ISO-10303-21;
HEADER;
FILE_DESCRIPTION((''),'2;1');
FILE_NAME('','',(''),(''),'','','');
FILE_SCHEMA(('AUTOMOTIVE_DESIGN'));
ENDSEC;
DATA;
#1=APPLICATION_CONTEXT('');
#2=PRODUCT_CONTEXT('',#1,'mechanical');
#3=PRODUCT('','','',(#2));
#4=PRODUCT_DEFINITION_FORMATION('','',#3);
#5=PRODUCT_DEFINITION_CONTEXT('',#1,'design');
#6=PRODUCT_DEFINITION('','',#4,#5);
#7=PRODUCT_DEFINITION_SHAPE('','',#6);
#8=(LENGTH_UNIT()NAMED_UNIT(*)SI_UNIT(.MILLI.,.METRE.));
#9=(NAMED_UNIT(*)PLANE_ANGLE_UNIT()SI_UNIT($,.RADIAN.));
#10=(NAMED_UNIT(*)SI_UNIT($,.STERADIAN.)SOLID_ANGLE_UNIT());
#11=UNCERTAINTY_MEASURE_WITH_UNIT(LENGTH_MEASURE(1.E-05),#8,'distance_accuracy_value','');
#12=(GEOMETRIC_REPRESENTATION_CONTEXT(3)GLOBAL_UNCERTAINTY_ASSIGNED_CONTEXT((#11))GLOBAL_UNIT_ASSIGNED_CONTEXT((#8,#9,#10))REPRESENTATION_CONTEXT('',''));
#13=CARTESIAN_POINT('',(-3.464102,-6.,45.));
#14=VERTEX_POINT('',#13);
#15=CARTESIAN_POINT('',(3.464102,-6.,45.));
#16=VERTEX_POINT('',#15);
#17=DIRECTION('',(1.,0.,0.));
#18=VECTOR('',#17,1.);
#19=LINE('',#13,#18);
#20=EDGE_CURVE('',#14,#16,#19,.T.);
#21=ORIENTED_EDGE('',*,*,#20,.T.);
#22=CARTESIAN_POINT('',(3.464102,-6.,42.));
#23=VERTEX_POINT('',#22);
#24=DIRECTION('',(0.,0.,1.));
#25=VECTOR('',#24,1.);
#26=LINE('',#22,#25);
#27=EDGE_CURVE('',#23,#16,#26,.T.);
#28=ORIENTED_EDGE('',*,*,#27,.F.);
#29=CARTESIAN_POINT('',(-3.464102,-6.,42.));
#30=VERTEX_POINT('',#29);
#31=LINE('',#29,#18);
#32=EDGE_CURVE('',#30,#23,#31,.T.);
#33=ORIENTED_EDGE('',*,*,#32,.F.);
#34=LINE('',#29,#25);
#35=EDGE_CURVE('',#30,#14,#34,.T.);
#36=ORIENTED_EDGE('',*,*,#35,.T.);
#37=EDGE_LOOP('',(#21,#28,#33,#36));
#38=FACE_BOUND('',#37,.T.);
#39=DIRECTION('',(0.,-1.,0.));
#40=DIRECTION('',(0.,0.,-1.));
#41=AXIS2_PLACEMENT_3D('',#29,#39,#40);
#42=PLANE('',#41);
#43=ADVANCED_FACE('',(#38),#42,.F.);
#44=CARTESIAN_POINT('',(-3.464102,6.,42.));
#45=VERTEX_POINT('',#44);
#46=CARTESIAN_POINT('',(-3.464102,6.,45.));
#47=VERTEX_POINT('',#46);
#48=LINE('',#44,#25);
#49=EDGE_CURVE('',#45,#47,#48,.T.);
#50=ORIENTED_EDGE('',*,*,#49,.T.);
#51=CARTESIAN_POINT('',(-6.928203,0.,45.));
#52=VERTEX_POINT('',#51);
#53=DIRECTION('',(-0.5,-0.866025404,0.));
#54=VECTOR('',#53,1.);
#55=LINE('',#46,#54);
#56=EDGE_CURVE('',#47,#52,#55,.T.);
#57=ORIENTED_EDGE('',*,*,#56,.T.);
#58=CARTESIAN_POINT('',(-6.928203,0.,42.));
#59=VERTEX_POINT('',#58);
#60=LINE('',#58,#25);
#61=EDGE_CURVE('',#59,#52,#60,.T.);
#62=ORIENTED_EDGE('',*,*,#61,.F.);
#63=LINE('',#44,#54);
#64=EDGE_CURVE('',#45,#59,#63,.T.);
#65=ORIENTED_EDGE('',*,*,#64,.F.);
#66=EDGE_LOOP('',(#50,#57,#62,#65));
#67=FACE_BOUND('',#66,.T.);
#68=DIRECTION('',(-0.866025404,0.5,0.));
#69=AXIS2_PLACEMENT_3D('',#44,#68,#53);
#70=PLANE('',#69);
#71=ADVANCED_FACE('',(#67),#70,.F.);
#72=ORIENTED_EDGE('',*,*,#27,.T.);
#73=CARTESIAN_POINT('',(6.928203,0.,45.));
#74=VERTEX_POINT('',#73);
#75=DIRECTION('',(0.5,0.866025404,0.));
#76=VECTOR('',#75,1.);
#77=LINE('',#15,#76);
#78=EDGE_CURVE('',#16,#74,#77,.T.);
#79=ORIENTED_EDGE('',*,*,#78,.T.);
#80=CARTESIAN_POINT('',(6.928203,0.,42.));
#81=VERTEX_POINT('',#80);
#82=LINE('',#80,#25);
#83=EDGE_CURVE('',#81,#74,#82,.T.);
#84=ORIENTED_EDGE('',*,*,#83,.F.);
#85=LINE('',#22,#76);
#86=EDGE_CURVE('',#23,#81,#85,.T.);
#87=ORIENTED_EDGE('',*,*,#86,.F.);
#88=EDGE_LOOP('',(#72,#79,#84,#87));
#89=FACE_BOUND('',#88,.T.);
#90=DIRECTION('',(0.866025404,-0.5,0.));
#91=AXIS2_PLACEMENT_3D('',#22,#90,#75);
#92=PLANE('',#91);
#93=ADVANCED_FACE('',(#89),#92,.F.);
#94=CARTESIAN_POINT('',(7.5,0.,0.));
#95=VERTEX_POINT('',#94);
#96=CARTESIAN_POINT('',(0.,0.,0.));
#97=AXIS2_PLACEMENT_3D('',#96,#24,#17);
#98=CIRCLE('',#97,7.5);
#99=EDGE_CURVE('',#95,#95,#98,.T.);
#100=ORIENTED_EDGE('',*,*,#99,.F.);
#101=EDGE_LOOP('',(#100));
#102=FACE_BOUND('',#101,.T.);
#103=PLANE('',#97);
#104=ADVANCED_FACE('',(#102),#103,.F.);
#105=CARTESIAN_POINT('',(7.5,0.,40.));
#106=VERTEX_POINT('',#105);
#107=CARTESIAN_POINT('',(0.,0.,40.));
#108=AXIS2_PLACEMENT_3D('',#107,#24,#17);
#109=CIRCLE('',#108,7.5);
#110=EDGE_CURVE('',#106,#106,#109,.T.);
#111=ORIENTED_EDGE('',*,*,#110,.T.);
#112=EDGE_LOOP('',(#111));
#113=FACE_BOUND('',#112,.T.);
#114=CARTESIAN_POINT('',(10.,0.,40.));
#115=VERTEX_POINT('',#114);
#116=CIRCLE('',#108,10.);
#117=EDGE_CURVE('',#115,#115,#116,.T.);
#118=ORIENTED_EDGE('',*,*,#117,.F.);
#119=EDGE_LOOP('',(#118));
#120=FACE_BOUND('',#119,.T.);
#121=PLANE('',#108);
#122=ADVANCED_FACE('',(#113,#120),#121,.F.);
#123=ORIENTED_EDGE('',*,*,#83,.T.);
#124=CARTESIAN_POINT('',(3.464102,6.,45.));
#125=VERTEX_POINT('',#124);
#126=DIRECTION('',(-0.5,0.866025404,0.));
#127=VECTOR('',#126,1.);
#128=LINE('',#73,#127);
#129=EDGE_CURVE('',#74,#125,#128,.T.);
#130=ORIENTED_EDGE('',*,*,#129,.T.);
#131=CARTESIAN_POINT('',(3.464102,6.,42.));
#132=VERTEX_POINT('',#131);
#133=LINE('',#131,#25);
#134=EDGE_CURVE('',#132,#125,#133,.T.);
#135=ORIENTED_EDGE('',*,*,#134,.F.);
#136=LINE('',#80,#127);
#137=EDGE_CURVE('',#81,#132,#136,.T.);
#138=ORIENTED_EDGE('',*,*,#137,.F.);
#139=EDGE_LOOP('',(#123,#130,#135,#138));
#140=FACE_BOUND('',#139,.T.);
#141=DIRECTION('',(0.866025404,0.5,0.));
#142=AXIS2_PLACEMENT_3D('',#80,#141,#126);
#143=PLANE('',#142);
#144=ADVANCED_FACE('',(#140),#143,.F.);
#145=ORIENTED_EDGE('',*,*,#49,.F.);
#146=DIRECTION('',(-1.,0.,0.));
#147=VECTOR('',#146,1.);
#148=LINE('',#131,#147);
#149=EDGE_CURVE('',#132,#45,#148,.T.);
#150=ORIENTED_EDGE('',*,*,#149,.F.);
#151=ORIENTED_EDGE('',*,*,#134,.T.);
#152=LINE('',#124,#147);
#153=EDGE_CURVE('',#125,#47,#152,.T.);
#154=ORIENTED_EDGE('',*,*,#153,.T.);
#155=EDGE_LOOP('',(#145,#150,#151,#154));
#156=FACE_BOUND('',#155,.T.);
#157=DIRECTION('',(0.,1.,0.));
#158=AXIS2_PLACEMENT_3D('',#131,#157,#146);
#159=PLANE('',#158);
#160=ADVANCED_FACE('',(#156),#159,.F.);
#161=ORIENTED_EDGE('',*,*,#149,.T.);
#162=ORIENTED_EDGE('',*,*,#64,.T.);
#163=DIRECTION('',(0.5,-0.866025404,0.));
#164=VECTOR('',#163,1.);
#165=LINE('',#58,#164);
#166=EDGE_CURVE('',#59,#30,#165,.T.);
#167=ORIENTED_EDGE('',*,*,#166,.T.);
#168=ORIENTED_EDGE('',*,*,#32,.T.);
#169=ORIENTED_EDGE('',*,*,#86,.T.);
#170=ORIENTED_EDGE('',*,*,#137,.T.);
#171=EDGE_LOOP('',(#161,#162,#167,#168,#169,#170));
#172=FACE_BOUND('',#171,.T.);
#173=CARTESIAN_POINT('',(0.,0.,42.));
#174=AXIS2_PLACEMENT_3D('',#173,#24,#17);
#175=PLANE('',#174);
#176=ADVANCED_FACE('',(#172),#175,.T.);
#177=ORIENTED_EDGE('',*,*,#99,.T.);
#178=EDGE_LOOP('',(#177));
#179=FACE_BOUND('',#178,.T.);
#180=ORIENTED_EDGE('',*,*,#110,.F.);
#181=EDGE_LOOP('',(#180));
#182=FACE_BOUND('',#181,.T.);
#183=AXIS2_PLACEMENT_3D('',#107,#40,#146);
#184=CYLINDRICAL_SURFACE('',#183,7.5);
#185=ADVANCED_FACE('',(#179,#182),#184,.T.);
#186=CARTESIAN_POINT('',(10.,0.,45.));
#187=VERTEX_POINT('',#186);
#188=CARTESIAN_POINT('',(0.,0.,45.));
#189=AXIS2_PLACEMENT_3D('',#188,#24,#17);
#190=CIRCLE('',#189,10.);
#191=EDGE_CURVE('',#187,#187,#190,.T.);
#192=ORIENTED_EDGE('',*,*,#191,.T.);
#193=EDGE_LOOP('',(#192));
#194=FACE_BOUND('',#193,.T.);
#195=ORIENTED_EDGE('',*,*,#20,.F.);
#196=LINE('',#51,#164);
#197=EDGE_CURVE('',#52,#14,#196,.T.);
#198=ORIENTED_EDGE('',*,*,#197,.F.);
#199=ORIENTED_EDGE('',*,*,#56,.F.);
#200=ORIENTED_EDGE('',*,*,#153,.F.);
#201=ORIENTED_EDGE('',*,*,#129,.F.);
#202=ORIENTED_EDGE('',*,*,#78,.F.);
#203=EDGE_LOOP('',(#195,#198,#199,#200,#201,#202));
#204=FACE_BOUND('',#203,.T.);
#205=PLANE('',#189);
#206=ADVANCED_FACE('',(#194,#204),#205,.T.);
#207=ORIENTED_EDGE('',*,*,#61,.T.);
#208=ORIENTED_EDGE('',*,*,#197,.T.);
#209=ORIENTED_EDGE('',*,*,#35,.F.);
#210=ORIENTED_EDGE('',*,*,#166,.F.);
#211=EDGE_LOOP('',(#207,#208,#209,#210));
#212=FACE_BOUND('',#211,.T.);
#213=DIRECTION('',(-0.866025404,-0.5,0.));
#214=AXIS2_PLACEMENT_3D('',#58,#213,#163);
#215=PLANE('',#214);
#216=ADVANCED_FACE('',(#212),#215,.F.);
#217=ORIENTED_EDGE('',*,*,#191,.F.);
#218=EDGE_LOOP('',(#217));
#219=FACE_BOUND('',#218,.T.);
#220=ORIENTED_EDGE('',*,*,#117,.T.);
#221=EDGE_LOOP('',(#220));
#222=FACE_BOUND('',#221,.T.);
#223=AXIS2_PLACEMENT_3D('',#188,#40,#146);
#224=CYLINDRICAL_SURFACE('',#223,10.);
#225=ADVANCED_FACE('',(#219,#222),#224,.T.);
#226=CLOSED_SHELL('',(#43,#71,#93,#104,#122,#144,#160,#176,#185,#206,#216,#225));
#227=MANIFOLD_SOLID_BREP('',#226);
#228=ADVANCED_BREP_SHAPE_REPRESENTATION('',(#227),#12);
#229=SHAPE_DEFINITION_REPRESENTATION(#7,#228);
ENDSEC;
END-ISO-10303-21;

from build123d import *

# Parameters (mm, degrees)
SKETCH1_R           = 7.5
BOSS_EXTRUDE1_DEPTH = 40
SKETCH2_R           = 10
BOSS_EXTRUDE2_DEPTH = 5
CUT_EXTRUDE1_DEPTH  = 3


with BuildPart() as part:
    # Sketch1 → Boss-Extrude1 (new body)
    with BuildSketch(Plane.XY):
        Circle(SKETCH1_R)
    extrude(amount=BOSS_EXTRUDE1_DEPTH)

    # Sketch2 → Boss-Extrude2 (add)
    with BuildSketch(Plane.XY.offset(40)):
        Circle(SKETCH2_R)
    extrude(amount=BOSS_EXTRUDE2_DEPTH)

    # Sketch3 → Cut-Extrude1 (cut)
    with BuildSketch(Plane.XY.offset(45)):
        Polygon((-6.92820323, 0), (-3.464101615, -6), (3.464101615, -6), (6.92820323, 0), (3.464101615, 6), (-3.464101615, 6), align=None)
    extrude(amount=-CUT_EXTRUDE1_DEPTH, mode=Mode.SUBTRACT)


solid = part.part
